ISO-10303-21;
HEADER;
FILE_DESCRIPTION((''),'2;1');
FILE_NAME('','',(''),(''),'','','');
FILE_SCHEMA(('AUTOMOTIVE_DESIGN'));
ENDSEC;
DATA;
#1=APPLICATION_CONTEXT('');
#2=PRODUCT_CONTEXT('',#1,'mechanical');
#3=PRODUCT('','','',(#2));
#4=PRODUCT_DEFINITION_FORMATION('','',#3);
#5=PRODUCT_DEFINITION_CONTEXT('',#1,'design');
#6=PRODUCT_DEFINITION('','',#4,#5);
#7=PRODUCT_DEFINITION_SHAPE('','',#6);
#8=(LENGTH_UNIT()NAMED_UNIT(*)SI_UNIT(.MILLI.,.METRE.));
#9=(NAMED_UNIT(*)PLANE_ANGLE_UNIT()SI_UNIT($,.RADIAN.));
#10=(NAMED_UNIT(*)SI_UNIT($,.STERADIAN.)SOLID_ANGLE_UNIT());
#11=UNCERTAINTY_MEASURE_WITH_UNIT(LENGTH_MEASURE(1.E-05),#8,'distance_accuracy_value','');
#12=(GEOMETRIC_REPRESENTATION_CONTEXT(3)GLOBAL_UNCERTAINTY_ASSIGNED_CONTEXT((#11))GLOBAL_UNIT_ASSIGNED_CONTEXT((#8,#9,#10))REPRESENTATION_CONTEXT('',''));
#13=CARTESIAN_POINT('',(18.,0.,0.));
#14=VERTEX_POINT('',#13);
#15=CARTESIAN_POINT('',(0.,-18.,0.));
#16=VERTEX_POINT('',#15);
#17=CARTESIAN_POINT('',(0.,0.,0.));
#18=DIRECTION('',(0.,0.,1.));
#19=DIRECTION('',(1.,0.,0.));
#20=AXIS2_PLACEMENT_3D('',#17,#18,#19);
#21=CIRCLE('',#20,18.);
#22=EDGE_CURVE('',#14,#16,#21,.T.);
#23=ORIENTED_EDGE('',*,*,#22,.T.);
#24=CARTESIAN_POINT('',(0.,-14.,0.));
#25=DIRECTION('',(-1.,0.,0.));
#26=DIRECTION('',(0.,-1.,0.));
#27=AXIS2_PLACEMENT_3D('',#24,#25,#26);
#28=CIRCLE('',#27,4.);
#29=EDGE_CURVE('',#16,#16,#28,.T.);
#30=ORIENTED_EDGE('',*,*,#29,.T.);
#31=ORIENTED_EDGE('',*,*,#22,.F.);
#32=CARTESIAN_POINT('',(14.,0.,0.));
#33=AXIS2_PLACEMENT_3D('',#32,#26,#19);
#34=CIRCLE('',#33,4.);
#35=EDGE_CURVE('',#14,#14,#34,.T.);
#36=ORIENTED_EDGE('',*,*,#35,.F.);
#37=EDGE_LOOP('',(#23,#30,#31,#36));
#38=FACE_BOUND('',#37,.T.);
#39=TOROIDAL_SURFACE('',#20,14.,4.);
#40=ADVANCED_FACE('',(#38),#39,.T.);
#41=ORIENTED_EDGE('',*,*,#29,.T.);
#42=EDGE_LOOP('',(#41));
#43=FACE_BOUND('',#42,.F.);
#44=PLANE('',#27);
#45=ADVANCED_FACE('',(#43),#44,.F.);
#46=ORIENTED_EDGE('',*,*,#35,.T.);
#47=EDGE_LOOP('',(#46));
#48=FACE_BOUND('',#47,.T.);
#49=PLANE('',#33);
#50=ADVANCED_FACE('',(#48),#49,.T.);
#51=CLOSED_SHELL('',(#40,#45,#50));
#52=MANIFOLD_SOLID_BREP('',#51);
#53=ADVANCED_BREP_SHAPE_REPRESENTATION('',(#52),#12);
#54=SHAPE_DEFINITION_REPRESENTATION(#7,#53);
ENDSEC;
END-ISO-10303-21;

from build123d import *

# Parameters (mm, degrees)
TORUS_R     = 4
TORUS_ANGLE = 270


with BuildPart() as part:
    # Torus → Torus (revolve)
    with BuildSketch(Plane.XZ):
        with Locations((14, 0)):
            Circle(TORUS_R)
    revolve(axis=Axis((0, 0, 0), (0, 0, 1)), revolution_arc=TORUS_ANGLE)


solid = part.part
